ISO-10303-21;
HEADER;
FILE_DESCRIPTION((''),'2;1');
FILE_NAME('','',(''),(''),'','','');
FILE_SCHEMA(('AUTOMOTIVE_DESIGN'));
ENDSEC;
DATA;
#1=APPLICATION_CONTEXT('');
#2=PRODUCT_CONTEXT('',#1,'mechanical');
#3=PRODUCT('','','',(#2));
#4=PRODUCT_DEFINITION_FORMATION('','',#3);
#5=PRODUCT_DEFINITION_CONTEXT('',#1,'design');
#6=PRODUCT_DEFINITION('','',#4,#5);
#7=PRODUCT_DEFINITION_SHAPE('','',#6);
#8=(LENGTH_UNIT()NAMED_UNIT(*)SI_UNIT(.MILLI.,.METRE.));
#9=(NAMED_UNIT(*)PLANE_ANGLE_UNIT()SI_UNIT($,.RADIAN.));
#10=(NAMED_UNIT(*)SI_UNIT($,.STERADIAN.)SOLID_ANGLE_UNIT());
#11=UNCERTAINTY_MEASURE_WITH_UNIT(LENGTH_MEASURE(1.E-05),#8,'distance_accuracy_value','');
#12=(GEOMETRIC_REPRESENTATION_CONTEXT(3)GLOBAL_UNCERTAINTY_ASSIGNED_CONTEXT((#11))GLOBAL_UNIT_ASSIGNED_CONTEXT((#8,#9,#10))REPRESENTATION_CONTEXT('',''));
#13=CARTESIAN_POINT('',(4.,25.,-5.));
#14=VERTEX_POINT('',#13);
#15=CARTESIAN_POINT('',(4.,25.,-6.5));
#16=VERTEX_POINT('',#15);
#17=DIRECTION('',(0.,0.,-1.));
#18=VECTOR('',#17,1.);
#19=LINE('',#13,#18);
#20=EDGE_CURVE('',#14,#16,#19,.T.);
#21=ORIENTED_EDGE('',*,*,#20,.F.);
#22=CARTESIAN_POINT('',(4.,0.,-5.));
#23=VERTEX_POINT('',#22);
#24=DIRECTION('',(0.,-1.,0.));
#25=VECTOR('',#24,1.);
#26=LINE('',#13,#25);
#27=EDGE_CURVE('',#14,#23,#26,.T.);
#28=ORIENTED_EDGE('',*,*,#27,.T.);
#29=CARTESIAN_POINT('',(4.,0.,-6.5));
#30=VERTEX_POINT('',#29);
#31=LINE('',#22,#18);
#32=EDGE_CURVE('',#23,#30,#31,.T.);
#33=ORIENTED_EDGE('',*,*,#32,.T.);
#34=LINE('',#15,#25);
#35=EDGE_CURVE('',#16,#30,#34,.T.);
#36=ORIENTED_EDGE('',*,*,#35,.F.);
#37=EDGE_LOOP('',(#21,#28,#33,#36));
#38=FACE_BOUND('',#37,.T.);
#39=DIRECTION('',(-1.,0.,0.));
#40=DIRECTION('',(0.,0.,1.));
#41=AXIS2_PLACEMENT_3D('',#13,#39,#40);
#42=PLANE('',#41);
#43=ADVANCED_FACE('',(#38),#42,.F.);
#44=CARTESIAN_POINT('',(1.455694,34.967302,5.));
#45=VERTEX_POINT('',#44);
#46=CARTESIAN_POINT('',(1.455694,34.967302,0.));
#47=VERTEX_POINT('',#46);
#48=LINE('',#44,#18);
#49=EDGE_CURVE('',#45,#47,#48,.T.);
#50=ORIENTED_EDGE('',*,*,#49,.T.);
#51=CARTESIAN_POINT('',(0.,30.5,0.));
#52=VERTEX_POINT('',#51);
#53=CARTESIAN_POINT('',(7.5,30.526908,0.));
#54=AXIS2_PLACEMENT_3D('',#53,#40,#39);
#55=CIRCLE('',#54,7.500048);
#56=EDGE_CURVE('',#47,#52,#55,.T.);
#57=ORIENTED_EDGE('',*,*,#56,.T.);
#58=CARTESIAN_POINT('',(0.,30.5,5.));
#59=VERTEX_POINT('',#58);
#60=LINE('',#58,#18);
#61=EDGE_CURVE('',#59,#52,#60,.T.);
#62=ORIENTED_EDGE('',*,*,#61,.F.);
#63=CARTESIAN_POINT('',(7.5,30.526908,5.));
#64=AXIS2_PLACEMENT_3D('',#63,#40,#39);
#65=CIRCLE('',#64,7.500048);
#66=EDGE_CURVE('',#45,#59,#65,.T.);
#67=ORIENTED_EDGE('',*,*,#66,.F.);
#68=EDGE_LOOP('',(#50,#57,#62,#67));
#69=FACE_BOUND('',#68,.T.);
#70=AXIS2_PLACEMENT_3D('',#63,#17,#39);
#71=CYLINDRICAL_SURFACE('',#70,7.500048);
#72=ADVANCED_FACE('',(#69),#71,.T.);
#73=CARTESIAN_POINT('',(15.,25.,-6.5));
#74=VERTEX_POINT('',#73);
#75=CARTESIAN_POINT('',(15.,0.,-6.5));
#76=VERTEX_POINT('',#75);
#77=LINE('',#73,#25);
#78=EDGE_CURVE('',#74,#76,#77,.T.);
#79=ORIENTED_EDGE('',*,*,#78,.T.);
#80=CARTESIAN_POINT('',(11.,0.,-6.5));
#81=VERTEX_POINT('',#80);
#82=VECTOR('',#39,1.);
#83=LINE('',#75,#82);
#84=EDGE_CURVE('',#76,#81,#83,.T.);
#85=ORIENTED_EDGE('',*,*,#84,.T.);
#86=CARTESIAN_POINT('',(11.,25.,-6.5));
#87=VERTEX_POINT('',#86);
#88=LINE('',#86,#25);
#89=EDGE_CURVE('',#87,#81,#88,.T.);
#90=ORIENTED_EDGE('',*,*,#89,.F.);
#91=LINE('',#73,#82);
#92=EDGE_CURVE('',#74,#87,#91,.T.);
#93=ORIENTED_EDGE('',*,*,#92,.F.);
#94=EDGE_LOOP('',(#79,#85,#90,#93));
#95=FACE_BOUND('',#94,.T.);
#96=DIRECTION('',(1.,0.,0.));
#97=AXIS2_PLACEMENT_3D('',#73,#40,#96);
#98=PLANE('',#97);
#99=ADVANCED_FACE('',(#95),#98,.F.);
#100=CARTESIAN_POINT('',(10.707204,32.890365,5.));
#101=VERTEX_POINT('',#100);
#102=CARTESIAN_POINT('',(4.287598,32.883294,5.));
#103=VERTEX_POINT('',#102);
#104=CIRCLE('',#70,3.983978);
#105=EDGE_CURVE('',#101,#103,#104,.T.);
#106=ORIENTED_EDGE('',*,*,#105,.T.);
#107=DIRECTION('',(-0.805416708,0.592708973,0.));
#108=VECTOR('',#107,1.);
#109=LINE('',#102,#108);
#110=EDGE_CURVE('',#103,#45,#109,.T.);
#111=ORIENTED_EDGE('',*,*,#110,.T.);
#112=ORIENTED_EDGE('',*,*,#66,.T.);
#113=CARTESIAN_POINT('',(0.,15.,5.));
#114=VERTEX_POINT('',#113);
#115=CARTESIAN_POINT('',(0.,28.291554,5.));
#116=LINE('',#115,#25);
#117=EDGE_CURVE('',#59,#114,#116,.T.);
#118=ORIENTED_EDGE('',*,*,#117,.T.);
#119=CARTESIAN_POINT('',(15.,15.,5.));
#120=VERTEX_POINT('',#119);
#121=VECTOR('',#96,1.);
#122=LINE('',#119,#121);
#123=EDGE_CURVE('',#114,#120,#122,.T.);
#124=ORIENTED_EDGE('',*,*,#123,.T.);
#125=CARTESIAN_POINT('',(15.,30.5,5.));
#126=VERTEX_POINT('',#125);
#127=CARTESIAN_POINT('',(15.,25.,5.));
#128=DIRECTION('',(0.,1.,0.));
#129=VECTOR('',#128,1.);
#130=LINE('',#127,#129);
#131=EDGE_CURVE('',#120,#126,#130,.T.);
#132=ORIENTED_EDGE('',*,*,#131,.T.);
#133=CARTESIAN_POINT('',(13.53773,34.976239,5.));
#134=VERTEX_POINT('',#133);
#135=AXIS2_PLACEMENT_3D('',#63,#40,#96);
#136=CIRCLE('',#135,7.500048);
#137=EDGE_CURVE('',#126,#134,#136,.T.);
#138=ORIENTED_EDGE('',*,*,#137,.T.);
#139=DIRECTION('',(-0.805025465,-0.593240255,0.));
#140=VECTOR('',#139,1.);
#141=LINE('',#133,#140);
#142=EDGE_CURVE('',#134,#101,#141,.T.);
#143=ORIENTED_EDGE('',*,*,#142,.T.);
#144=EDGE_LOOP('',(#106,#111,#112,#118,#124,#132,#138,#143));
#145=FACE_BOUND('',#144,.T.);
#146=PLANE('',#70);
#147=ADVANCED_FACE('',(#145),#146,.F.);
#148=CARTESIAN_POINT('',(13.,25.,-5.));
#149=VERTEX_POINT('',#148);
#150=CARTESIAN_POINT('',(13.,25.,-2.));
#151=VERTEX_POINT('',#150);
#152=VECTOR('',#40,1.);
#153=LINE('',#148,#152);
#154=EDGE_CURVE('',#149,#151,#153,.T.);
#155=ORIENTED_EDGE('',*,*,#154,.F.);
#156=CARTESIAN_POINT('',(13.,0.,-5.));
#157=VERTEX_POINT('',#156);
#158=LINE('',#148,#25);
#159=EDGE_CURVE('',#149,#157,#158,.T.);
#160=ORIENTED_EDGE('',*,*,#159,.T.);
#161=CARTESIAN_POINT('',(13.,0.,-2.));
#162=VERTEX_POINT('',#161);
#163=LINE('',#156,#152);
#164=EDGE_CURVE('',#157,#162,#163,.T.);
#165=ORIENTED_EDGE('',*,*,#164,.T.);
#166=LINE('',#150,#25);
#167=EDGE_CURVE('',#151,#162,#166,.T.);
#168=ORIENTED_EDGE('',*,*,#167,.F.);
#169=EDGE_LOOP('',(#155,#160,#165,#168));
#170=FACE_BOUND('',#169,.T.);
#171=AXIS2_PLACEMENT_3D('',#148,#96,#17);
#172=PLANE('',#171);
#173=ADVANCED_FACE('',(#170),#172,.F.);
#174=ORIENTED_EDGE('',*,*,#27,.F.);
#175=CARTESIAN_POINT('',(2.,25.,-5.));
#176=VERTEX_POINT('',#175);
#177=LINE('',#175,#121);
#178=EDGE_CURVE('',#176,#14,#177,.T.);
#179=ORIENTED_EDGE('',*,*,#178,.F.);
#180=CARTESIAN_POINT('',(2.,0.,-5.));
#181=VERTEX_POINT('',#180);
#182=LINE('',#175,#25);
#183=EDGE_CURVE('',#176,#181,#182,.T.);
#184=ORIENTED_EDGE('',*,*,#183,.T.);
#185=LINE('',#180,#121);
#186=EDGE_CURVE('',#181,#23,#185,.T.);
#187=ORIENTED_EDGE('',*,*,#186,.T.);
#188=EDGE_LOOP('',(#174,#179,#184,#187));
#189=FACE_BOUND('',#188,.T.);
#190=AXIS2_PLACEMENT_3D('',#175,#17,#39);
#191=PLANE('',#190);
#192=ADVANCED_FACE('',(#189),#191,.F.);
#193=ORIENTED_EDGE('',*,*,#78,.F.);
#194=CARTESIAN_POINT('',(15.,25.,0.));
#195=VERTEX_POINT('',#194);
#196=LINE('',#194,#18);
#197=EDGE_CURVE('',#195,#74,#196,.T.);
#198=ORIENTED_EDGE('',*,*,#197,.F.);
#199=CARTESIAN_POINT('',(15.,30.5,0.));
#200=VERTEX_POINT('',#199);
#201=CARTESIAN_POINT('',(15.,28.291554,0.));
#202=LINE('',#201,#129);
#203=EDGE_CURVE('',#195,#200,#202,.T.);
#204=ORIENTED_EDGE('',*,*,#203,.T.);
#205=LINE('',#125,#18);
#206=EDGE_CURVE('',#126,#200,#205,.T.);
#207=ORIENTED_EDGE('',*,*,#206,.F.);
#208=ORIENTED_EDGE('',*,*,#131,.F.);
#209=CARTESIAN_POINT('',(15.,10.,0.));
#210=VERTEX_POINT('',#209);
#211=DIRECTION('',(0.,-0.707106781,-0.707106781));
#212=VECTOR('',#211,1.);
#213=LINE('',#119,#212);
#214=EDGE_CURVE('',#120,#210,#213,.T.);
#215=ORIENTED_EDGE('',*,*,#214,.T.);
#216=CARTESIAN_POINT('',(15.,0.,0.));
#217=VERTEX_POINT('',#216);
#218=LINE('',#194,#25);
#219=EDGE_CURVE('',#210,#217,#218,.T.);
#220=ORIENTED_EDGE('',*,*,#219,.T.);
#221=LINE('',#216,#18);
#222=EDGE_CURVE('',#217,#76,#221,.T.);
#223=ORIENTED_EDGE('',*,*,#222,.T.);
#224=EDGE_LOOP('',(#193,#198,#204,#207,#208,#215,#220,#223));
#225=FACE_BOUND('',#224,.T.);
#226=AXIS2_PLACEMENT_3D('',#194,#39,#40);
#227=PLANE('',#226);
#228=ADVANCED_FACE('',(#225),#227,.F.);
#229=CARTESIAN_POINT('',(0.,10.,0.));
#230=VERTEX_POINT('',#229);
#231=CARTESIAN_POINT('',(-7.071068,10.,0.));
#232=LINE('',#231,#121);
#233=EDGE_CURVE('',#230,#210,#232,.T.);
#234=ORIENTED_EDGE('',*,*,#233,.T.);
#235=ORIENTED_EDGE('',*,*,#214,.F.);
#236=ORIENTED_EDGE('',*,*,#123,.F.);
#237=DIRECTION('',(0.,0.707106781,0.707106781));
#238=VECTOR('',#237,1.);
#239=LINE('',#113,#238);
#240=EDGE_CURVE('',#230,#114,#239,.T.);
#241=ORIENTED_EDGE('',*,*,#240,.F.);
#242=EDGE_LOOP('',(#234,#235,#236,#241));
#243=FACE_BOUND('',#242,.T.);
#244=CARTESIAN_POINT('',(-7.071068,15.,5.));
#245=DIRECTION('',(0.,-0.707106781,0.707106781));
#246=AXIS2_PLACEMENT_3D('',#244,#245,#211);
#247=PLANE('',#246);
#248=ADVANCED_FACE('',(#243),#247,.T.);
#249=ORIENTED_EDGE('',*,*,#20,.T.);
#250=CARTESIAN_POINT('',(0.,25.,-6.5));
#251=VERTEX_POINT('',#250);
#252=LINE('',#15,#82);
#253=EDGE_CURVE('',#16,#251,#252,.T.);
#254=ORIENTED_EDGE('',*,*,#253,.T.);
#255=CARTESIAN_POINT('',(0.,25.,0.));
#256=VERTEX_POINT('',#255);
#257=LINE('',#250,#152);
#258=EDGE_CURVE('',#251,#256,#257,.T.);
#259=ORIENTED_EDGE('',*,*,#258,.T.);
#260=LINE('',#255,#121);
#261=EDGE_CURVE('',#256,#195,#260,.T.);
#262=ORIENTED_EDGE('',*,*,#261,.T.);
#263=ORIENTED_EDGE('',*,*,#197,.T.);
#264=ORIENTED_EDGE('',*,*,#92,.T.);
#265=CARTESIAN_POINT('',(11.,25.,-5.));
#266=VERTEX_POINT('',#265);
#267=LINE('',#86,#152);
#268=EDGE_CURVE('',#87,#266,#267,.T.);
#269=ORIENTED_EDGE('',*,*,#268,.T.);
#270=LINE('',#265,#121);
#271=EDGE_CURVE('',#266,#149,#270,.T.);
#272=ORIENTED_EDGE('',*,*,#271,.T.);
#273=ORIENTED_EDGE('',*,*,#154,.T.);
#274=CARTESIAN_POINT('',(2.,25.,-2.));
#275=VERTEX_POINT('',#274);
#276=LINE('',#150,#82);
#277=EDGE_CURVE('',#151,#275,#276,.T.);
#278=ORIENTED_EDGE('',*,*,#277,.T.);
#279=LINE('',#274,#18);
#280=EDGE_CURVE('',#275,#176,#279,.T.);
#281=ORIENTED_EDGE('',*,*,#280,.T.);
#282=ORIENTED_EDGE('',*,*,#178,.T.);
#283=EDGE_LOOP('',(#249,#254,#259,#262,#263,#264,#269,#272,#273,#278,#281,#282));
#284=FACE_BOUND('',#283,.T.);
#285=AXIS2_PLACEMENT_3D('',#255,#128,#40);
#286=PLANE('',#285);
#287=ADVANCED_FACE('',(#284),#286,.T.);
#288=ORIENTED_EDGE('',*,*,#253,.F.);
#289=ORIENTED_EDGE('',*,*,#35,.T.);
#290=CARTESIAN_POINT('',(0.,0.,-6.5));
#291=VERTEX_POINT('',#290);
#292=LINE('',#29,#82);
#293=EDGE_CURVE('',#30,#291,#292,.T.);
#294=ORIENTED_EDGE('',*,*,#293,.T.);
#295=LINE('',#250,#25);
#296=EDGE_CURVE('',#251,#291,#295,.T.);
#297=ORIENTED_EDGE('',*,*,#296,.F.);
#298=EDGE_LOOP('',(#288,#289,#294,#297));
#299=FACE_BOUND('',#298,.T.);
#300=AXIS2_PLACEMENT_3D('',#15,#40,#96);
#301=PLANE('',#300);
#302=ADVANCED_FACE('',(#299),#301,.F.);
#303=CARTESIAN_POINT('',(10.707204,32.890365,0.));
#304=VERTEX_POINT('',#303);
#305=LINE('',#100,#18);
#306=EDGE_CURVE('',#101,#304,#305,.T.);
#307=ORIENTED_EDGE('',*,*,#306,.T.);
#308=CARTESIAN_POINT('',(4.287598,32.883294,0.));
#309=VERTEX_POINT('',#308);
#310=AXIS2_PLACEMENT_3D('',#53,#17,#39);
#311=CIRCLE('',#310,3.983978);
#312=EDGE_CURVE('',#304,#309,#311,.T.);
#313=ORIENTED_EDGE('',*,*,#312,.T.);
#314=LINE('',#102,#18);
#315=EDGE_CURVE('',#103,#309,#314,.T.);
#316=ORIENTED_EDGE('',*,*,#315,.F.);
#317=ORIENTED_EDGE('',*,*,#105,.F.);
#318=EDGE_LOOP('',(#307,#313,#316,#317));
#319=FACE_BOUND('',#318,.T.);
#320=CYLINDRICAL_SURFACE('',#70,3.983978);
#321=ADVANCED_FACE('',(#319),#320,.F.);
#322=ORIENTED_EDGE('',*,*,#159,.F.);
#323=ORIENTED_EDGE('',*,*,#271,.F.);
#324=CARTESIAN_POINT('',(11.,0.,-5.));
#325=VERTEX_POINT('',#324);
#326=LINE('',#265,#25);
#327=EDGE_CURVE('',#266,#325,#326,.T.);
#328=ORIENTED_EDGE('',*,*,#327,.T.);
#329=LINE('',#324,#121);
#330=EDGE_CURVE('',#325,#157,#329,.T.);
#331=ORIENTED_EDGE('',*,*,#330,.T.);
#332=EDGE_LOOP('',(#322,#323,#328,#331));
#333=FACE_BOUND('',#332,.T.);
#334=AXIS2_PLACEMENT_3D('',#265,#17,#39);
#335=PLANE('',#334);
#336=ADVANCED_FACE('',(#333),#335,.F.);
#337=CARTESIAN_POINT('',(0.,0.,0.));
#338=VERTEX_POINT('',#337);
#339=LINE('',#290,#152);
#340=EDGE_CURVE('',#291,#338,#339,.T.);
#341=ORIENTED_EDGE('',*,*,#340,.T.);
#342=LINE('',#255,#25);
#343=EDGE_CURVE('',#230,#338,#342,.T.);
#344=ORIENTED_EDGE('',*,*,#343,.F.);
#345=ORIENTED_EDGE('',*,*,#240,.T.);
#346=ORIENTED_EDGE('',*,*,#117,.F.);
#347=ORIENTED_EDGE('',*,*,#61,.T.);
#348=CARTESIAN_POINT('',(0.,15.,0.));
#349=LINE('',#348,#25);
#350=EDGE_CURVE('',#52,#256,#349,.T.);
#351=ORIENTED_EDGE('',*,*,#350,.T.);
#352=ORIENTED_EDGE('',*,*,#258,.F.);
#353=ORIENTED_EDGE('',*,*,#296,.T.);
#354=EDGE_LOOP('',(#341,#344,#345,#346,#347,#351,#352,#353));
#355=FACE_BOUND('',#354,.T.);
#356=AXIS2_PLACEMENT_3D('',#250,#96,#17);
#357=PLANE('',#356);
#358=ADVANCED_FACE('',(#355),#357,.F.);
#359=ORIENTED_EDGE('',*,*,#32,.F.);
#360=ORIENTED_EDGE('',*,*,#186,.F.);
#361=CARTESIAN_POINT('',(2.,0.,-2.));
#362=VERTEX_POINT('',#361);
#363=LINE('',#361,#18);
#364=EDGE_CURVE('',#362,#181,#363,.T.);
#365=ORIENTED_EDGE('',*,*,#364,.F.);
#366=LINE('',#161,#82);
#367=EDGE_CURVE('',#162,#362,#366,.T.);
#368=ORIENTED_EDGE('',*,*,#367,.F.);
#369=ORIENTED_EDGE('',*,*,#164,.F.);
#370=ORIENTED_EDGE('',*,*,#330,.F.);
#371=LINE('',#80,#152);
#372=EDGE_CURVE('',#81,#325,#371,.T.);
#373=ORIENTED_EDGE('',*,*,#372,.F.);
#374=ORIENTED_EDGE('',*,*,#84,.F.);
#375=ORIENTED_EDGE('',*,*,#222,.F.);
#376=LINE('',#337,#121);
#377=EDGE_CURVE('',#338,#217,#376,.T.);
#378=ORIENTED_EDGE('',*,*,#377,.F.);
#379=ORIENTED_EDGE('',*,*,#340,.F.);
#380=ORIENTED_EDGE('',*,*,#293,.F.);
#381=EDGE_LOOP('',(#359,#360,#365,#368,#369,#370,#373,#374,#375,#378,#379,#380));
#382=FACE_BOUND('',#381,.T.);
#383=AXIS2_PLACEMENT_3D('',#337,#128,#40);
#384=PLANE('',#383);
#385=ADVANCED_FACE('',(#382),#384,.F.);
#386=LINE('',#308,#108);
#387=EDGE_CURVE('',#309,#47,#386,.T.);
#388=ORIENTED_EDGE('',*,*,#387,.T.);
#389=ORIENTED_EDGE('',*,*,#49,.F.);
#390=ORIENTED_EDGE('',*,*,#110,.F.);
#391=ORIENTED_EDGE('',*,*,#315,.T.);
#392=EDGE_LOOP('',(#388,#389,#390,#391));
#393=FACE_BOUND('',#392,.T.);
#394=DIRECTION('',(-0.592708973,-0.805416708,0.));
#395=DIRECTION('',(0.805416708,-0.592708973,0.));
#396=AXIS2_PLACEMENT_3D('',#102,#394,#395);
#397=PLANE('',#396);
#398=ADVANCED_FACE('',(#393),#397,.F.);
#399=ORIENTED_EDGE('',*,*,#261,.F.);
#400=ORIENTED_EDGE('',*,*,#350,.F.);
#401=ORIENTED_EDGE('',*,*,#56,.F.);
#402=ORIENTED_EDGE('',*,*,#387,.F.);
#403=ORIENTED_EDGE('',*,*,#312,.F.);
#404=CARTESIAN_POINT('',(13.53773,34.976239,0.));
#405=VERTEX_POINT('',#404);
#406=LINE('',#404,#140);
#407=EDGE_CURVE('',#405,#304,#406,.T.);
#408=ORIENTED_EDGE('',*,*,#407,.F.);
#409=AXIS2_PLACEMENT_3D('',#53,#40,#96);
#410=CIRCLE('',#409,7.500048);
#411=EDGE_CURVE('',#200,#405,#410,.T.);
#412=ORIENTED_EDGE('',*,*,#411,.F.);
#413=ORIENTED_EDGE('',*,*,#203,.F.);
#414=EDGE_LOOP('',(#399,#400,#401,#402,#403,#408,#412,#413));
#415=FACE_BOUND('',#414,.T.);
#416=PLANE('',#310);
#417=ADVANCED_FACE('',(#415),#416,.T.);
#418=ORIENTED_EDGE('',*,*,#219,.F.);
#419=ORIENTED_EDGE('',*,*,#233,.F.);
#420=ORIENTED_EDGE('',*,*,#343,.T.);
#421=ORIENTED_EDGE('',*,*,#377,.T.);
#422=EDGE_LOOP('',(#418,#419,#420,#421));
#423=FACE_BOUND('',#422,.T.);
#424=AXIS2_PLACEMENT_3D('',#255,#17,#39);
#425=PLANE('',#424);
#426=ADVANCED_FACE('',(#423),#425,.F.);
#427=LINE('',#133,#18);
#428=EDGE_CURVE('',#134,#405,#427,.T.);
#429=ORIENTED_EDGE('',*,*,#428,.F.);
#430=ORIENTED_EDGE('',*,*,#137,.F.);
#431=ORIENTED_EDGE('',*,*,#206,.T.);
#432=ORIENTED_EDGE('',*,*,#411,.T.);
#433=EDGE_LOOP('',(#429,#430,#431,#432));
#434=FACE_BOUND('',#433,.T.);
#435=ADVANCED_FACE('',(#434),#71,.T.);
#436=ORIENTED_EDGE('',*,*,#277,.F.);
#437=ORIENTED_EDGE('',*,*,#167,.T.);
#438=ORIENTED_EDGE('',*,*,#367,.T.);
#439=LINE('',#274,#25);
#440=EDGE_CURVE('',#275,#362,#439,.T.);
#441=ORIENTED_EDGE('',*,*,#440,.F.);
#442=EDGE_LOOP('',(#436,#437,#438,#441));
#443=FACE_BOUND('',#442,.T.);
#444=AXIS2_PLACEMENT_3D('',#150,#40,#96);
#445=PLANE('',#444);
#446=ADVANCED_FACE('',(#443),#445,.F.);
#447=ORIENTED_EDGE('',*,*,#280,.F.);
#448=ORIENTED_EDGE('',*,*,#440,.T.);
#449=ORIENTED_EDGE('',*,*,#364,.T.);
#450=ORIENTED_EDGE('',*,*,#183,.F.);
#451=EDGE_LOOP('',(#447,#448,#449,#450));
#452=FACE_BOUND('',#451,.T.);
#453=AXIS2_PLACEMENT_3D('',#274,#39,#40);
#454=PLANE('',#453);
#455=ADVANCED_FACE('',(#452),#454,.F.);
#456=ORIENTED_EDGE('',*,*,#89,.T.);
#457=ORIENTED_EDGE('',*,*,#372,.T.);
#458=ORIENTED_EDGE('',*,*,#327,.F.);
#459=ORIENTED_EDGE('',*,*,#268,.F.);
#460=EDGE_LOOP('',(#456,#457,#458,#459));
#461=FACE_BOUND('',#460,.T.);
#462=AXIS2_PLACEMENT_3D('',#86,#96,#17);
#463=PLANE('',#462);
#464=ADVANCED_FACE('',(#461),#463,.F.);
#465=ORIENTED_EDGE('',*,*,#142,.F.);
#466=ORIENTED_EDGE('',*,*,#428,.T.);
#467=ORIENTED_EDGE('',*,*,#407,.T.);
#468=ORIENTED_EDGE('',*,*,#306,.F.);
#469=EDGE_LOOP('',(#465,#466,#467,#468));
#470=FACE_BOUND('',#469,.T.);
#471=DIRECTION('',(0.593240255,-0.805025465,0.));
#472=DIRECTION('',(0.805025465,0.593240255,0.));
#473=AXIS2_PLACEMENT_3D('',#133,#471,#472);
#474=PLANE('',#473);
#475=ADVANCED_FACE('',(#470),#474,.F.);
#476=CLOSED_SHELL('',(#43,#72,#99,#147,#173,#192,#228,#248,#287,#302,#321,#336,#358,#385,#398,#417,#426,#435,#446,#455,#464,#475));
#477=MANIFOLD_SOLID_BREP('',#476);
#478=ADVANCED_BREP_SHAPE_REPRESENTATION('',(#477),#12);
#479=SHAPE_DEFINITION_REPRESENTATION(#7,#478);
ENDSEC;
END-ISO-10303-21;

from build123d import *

# Parameters (mm, degrees)
BOSS_EXTRUDE2_DEPTH = 25
BOSS_EXTRUDE4_DEPTH = 5
BOSS_EXTRUDE5_DEPTH = 15


with BuildPart() as part:
    # Sketch1 → Boss-Extrude2 (new body)
    with BuildSketch(Plane(origin=(0, 0, 0), x_dir=(1, 0, 0), z_dir=(0, 1, 0))):
        Polygon((0, 0), (15, 0), (15, 6.5), (11, 6.5), (11, 5), (13, 5), (13, 2), (2, 2), (2, 5), (4, 5), (4, 6.5), (0, 6.5), align=None)
    extrude(amount=BOSS_EXTRUDE2_DEPTH)

    # Sketch3 → Boss-Extrude4 (add)
    with BuildSketch(Plane.XY):
        with BuildLine():
            Line((15, 25), (15, 28.291553618))
            Line((15, 28.291553618), (15, 30.5))
            ThreePointArc((15, 30.5), (14.62928544, 32.855859369), (13.53772985, 34.976238828))
            Line((13.53772985, 34.976238828), (10.707203961, 32.890364565))
            ThreePointArc((10.707203961, 32.890364565), (7.504387795, 26.542932427), (4.28759779, 32.883294263))
            Line((4.28759779, 32.883294263), (1.455694475, 34.967301819))
            ThreePointArc((1.455694475, 34.967301819), (0.3689938, 32.850585244), (0, 30.5))
            Line((0, 30.5), (0, 28.291553618))
            Line((0, 28.291553618), (0, 25))
            Line((0, 25), (0, 15))
            Line((0, 15), (15, 15))
            Line((15, 15), (15, 25))
        make_face()
    extrude(amount=BOSS_EXTRUDE4_DEPTH)

    # Sketch4 → Boss-Extrude5 (add)
    with BuildSketch(Plane(origin=(15, 0, 0), x_dir=(0, 0, -1), z_dir=(1, 0, 0))):
        Polygon((-5, 15), (0, 10), (0, 15), align=None)
    extrude(amount=-BOSS_EXTRUDE5_DEPTH)


solid = part.part
